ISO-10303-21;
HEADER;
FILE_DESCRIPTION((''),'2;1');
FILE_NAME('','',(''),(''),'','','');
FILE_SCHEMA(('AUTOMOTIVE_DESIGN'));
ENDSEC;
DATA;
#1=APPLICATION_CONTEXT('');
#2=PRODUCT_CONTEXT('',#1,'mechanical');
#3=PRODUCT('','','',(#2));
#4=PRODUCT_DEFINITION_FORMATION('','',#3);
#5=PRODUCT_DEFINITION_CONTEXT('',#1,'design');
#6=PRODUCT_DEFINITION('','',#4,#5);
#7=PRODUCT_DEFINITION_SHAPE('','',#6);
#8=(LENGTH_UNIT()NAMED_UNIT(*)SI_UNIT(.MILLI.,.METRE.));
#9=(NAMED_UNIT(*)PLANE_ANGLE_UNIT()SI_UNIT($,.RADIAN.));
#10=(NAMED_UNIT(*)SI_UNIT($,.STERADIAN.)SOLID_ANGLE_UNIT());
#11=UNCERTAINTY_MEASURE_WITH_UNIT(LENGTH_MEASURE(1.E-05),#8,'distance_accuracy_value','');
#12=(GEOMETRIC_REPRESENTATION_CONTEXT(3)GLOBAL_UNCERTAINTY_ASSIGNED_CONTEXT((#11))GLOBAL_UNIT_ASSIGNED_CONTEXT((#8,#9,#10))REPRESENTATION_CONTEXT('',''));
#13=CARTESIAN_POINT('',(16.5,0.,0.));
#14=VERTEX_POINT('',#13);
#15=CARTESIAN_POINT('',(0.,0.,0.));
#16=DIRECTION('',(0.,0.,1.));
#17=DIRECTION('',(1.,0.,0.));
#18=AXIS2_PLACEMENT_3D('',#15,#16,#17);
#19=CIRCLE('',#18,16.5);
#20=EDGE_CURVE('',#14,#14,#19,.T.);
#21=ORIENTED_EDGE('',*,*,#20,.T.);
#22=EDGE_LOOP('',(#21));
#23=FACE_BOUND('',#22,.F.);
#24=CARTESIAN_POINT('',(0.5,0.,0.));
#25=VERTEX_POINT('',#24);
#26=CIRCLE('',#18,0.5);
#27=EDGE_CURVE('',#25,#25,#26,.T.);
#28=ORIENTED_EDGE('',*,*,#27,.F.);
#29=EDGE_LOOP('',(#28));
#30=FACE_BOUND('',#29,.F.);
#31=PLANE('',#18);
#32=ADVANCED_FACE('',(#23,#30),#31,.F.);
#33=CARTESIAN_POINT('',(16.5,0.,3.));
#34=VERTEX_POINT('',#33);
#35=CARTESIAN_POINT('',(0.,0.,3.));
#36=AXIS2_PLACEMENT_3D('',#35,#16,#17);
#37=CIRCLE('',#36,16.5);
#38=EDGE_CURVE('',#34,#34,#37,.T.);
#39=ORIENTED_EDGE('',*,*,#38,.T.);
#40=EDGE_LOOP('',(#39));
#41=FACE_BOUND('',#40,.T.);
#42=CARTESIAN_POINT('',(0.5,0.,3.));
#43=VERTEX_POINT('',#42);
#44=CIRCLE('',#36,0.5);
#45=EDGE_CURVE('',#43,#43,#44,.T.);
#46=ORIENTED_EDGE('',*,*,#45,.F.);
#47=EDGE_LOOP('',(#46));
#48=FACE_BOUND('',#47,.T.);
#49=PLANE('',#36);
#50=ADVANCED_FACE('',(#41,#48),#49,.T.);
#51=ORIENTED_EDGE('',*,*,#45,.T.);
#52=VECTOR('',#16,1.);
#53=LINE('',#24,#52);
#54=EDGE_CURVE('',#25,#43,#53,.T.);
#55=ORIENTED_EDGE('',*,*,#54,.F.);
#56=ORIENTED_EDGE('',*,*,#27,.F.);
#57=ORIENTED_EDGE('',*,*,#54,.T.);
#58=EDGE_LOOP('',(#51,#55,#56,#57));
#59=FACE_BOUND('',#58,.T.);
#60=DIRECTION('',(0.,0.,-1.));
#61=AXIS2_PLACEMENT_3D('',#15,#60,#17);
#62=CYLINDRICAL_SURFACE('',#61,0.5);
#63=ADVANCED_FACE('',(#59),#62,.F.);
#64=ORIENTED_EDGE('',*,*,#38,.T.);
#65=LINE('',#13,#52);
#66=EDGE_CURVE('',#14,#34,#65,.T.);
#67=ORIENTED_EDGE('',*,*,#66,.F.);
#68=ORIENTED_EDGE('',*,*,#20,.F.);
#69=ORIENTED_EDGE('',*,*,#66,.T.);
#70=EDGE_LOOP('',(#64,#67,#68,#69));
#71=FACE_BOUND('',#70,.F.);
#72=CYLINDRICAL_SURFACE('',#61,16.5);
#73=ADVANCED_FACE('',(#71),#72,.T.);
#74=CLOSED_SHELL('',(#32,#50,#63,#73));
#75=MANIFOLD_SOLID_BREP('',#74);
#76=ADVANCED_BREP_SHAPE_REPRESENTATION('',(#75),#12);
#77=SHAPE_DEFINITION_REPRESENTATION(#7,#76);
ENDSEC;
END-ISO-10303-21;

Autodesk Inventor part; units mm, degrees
ref_plane "YZ Plane" through (0, 0, 0) normal (1, 0, 0) x (0, 1, 0)
ref_plane "XZ Plane" through (0, 0, 0) normal (0, 1, 0) x (-1, 0, 0)
ref_plane "XY Plane" through (0, 0, 0) normal (0, 0, 1) x (1, 0, 0)
sketch "スケッチ1" plane through (0, 0, 0) normal (0, 0, 1) x (1, 0, 0)
  circle A0 centre (0, 0) radius 16.5
  circle A1 centre (0, 0) radius 0.5
  dimension "d0" = 33
  dimension "d3" = 1
extrude "押し出し1" add sketch "スケッチ1" along normal blind 3 contours A0 | A1
extrude "押し出し2" cut sketch "スケッチ1" along normal blind 3 contours A1
properties part number "fan"
